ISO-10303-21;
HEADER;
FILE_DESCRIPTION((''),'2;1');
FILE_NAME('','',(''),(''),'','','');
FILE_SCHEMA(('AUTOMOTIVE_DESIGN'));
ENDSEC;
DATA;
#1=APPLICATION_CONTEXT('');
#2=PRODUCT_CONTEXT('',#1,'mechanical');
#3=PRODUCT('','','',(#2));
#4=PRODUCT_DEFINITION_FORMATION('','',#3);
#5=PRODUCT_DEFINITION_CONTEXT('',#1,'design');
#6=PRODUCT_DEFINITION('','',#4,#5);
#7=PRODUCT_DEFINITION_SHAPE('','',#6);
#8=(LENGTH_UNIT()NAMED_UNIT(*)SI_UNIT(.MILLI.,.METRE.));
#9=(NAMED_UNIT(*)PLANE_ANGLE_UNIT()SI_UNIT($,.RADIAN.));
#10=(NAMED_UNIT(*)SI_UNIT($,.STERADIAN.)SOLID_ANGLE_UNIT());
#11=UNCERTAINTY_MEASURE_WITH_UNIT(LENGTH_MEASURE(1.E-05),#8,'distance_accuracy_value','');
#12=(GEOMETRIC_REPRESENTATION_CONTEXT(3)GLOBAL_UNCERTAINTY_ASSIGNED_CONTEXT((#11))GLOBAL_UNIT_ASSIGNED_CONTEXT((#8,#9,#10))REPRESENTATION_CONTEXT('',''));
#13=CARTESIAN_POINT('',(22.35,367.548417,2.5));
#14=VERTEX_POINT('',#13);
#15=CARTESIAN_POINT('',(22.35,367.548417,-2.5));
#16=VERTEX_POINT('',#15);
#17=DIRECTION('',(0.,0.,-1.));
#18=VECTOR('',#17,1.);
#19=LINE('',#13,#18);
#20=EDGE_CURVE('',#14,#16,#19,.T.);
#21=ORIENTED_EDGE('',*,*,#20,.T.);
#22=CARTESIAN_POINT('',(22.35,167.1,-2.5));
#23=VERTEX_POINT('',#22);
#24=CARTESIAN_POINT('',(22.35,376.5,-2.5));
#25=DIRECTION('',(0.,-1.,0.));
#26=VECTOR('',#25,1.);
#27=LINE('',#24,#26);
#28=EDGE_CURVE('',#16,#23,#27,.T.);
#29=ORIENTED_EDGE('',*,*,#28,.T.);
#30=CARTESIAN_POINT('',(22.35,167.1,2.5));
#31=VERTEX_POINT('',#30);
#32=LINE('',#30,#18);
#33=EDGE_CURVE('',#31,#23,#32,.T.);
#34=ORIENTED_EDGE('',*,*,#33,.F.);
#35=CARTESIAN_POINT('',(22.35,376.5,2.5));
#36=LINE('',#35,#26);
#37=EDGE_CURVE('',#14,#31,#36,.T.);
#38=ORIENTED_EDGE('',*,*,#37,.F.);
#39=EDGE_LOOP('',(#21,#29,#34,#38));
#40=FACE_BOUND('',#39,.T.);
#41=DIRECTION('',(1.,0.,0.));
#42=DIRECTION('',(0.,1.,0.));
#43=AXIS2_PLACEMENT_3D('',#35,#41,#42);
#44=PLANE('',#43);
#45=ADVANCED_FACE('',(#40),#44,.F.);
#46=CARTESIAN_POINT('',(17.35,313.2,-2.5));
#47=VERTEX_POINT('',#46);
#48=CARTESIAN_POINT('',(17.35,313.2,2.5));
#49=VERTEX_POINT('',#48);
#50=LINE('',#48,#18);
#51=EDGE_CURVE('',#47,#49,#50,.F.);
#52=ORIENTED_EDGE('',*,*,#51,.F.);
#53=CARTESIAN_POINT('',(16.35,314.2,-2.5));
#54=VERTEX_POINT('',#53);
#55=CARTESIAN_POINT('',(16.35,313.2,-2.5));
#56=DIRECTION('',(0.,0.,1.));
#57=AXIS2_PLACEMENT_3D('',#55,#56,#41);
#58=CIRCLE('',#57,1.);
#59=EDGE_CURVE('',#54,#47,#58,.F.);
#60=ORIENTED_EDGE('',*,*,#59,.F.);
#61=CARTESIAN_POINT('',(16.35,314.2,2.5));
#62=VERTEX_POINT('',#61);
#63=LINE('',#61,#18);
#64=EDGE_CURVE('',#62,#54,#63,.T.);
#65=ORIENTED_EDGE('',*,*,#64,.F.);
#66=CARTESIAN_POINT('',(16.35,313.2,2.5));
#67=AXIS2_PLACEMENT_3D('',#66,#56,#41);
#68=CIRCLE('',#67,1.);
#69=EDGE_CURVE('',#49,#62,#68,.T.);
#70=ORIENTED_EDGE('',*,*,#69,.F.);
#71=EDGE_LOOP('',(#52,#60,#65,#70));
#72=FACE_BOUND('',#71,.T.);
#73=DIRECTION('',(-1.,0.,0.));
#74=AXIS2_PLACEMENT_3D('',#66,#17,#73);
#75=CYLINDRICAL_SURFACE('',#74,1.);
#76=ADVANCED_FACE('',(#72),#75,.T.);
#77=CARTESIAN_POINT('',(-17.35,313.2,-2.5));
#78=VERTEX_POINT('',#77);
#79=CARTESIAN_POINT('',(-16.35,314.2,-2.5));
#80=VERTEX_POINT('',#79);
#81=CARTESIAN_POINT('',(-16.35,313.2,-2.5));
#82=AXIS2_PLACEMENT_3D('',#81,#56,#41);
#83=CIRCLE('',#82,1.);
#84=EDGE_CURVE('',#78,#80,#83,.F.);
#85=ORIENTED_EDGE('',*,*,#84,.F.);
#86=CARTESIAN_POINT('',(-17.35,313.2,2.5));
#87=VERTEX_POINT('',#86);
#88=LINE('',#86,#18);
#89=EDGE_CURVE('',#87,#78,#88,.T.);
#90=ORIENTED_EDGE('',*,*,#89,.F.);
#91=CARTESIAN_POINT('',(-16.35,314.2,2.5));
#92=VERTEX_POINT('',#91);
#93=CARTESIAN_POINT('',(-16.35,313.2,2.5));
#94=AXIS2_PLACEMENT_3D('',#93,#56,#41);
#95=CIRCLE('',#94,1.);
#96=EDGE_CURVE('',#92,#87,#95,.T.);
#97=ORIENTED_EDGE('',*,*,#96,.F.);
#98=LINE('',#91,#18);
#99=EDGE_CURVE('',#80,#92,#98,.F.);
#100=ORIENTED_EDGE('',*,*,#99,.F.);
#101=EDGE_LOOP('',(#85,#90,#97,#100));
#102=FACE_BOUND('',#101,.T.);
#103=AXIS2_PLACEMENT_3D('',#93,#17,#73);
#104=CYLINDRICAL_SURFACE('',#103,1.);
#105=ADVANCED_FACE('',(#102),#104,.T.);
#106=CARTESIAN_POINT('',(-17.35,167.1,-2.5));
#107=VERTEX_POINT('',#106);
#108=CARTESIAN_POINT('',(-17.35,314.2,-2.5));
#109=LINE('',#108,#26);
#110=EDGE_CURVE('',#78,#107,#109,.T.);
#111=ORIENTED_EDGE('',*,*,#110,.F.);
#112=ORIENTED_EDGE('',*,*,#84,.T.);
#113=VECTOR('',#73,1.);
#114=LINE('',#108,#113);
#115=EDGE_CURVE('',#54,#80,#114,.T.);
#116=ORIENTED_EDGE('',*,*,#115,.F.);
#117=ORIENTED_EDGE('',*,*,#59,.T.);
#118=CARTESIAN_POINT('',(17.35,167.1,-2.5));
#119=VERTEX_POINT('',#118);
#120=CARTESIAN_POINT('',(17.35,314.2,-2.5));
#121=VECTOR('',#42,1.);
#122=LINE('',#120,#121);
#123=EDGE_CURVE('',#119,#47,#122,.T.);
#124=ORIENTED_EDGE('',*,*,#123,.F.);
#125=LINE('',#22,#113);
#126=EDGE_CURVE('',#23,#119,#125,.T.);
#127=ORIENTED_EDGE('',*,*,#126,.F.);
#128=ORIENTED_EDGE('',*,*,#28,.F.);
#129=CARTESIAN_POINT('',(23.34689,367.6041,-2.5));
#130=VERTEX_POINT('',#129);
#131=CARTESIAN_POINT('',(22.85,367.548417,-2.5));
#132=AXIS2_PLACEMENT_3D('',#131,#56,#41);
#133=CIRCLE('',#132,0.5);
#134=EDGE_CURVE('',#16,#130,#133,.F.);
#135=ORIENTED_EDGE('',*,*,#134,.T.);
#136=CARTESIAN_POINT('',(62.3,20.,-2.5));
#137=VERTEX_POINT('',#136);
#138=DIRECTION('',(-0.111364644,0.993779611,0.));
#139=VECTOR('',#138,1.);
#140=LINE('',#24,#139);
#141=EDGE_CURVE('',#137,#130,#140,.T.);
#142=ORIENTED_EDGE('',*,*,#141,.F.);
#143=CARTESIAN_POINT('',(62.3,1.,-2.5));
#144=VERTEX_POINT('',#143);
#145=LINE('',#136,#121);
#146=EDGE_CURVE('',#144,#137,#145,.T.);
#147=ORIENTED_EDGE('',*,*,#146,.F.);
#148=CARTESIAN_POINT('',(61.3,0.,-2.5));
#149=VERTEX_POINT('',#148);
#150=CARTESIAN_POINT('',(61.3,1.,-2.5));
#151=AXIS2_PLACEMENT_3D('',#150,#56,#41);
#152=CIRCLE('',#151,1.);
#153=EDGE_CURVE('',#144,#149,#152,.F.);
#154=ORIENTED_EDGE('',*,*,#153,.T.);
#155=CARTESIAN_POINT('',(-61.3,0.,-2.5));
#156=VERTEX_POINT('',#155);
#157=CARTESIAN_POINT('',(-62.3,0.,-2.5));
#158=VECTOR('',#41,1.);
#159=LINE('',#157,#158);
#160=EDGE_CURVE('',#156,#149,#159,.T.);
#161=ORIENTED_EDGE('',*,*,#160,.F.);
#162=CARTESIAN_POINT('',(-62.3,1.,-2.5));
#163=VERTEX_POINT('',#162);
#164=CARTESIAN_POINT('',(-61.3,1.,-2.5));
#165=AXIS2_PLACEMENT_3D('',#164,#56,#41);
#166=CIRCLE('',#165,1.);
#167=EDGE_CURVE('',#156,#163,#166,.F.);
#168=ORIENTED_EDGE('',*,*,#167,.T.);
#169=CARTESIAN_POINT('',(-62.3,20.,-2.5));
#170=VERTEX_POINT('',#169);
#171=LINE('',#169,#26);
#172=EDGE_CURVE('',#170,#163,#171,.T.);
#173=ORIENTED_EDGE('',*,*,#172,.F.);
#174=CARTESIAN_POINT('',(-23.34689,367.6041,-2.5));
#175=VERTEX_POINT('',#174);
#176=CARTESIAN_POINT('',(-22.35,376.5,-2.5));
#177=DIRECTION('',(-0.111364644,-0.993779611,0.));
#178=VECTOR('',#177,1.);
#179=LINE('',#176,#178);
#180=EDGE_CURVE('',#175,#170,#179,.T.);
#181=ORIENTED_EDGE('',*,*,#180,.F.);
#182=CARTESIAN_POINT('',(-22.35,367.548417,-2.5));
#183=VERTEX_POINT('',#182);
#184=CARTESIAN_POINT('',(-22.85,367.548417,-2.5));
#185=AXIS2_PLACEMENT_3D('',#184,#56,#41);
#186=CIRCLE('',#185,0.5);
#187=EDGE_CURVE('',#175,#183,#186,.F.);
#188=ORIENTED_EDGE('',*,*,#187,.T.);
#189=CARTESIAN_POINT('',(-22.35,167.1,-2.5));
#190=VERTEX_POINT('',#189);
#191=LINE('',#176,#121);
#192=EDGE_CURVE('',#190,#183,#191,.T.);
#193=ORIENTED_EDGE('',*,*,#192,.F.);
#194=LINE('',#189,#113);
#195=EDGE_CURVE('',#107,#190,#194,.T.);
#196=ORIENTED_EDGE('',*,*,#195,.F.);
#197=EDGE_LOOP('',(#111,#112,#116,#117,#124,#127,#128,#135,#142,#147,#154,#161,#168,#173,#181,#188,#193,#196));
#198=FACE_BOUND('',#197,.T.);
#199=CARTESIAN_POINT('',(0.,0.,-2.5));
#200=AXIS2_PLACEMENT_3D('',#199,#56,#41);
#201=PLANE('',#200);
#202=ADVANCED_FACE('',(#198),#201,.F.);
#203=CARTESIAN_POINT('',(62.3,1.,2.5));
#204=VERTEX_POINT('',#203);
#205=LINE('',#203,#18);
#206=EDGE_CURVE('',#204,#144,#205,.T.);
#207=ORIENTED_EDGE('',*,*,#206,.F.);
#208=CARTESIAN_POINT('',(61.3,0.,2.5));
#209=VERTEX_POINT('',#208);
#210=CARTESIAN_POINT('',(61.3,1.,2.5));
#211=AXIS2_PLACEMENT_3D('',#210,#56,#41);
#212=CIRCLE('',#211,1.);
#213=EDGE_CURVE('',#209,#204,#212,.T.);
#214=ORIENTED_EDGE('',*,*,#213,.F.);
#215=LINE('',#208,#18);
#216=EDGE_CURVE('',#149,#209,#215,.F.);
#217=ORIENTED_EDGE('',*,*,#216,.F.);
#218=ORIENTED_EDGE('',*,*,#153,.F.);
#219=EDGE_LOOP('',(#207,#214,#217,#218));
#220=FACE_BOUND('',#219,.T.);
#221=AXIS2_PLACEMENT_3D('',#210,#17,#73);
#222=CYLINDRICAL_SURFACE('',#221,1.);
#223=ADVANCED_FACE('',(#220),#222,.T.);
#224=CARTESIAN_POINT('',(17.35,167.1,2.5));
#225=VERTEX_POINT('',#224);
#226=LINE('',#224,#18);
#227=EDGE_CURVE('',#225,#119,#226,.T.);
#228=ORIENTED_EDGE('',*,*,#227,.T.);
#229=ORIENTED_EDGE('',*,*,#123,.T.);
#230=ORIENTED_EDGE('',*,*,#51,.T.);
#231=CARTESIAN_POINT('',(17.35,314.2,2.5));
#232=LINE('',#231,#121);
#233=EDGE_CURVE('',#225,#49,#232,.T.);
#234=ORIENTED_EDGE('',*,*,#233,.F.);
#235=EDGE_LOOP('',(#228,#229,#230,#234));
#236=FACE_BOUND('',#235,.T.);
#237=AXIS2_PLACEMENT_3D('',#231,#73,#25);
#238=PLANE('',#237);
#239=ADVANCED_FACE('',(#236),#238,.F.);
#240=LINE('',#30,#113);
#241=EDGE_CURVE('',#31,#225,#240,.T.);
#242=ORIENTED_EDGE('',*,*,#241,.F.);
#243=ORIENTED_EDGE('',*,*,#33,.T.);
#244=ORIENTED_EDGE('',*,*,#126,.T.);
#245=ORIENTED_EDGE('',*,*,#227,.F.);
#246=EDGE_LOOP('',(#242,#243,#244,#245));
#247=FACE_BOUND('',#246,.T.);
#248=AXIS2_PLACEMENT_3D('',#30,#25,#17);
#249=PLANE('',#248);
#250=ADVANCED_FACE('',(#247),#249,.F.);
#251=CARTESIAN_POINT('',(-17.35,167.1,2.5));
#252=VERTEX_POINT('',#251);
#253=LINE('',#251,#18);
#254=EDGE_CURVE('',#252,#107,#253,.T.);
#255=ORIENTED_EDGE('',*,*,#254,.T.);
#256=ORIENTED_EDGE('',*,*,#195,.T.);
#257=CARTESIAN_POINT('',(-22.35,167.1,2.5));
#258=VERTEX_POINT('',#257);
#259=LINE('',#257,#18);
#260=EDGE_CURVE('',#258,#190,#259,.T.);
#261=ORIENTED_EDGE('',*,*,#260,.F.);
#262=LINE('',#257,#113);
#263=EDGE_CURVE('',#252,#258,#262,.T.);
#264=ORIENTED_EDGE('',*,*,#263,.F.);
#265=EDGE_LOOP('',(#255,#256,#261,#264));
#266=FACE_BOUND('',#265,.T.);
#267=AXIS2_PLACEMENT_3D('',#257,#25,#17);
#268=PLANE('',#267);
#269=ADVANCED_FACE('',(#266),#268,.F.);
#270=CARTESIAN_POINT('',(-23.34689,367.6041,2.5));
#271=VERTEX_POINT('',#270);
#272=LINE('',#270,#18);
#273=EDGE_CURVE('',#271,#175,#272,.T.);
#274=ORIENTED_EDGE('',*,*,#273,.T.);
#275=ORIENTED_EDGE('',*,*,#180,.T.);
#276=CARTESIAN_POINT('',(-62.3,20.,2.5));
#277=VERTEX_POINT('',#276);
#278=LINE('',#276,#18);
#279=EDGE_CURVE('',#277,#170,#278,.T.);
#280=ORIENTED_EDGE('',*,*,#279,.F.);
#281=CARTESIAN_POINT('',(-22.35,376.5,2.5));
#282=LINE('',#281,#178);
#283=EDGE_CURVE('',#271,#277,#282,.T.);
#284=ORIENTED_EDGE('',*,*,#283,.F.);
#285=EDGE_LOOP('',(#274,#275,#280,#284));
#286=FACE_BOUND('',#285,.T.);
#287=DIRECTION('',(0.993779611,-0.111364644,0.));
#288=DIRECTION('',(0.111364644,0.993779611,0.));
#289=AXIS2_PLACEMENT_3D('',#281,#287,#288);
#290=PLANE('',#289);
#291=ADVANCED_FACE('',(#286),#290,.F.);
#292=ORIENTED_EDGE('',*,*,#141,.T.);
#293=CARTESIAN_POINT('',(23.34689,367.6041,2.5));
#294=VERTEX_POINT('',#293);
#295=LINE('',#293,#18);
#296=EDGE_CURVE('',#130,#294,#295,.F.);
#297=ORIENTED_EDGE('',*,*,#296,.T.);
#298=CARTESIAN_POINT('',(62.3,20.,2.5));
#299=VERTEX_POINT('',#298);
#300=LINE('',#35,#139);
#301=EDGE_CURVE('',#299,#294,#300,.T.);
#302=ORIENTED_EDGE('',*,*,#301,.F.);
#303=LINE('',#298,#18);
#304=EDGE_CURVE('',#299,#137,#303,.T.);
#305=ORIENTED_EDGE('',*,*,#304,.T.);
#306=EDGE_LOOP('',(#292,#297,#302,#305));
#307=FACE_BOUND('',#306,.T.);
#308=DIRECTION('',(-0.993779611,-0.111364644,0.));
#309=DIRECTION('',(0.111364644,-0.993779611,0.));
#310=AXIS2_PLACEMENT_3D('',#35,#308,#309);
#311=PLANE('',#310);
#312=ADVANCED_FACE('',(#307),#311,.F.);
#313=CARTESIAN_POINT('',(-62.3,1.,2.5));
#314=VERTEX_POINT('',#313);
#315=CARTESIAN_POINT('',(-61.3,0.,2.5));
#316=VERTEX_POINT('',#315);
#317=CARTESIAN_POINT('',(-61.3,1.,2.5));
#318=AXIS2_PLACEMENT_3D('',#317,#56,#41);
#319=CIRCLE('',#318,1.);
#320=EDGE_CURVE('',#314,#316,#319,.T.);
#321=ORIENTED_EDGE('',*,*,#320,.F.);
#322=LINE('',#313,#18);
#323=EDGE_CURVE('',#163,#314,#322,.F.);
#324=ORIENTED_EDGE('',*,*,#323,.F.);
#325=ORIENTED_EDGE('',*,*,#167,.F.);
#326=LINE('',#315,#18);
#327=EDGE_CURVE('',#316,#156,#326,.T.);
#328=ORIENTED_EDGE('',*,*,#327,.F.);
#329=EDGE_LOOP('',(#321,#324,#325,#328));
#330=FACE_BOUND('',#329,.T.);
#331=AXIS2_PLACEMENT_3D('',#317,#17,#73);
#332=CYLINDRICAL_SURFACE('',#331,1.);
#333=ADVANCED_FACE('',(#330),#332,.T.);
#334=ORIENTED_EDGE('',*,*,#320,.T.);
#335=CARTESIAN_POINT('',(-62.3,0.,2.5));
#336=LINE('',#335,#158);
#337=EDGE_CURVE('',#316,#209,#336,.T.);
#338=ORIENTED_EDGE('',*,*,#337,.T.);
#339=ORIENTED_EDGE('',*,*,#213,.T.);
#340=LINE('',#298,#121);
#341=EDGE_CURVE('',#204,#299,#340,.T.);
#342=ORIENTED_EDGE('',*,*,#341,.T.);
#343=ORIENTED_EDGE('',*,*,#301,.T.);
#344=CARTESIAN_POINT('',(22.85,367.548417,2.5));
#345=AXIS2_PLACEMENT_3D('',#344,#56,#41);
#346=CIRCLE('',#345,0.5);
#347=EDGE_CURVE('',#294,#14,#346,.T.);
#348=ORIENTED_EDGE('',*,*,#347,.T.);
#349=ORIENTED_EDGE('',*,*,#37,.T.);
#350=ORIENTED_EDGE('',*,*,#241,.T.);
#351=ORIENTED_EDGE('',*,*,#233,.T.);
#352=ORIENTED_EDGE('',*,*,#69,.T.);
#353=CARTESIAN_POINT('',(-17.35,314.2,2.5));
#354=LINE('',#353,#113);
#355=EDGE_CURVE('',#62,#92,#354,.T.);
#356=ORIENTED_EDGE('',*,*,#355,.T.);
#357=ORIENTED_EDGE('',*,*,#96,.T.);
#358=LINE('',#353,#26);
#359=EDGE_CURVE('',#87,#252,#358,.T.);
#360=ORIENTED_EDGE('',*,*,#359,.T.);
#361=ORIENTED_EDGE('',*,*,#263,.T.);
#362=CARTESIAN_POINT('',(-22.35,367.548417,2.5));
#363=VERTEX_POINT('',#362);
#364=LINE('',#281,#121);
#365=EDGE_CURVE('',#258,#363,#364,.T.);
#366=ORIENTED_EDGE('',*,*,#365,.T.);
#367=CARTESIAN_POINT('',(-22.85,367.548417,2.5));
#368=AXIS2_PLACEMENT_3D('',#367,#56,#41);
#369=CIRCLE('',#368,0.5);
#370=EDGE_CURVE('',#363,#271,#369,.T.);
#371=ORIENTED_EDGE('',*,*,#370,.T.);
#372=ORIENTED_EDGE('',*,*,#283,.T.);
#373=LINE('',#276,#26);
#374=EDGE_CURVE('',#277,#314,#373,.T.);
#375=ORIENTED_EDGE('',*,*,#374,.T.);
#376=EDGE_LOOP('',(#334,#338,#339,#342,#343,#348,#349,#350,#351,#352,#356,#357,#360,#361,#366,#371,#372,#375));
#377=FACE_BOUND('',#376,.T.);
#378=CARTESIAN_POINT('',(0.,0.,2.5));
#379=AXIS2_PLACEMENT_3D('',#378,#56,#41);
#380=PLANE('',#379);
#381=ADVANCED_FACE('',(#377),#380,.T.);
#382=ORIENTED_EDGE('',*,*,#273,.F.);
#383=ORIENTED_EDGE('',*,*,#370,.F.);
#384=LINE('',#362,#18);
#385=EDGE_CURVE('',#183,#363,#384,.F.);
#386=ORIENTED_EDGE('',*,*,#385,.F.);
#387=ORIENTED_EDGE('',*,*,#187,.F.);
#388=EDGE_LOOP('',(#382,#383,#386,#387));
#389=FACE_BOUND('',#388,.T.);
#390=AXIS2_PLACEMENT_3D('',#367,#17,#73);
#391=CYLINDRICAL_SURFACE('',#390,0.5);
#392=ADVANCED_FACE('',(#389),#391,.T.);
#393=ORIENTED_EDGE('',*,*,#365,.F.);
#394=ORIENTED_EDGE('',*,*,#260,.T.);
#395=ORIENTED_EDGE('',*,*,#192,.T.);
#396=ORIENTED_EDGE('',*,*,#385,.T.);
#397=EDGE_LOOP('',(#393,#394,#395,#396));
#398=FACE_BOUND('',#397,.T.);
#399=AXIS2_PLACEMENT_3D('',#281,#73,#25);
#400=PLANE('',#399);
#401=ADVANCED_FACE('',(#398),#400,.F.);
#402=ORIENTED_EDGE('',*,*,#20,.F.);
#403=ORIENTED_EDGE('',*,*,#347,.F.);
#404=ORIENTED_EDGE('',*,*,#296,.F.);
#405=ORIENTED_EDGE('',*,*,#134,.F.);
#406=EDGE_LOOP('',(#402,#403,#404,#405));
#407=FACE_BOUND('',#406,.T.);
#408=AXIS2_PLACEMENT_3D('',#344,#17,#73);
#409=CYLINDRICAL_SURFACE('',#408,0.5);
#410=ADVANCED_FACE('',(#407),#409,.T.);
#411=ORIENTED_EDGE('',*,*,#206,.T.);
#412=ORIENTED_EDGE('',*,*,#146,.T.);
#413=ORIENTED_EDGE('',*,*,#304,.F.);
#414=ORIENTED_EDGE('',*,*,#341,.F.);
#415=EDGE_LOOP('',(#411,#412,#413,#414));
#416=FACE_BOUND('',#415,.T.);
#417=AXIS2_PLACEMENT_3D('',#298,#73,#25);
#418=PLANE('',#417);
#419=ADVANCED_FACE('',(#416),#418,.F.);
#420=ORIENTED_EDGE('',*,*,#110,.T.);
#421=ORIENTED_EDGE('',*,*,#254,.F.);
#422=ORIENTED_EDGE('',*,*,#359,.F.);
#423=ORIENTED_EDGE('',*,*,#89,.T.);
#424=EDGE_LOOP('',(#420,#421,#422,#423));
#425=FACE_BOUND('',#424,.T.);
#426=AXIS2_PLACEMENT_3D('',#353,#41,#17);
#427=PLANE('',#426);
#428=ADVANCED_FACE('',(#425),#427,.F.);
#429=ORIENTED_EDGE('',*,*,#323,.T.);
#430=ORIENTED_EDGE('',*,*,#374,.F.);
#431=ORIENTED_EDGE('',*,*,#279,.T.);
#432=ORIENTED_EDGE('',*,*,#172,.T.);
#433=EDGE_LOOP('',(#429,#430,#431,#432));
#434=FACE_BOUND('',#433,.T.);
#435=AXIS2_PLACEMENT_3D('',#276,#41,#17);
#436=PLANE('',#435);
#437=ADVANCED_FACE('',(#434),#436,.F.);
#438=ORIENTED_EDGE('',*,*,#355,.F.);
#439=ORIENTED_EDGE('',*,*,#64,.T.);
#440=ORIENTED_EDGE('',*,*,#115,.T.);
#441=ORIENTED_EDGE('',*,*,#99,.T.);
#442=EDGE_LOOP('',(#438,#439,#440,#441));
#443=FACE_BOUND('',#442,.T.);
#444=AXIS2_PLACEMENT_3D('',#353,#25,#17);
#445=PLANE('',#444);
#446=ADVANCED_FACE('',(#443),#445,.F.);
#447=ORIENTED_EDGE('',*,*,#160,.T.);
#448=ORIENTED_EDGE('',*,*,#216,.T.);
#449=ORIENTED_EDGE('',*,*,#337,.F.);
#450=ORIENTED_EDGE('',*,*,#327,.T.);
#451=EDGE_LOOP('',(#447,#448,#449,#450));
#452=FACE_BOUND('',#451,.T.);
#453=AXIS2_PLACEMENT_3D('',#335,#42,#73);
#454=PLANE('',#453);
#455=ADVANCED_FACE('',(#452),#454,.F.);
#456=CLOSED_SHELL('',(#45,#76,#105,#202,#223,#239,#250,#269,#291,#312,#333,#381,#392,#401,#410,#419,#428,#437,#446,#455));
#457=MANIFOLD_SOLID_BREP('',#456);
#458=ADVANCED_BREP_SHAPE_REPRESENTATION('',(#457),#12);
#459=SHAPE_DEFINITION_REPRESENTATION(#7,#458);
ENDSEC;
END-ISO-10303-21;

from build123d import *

# Parameters (mm, degrees)
BOSS_EXTRUDE1_DEPTH = 2.5
FILLET1_R           = 1
FILLET2_R           = 0.5


with BuildPart() as part:
    # Sketch3 → Boss-Extrude1 (new, symmetric)
    with BuildSketch(Plane.XY):
        Polygon((-22.35, 376.5), (-62.3, 20), (-62.3, 0), (62.3, 0), (62.3, 20), (22.35, 376.5), (22.35, 167.1), (17.35, 167.1), (17.35, 314.2), (-17.35, 314.2), (-17.35, 167.1), (-22.35, 167.1), align=None)
    extrude(amount=BOSS_EXTRUDE1_DEPTH, both=True)

    # Fillet1
    fillet1_edges = [part.edges().sort_by_distance(p)[0] for p in [
        (-17.35, 314.2, 0),
        (17.35, 314.2, 0),
        (62.3, 0, 0),
        (-62.3, 0, 0),
    ]]
    fillet(fillet1_edges, radius=FILLET1_R)

    # Fillet2
    fillet2_edges = [part.edges().sort_by_distance(p)[0] for p in [
        (22.35, 376.5, 0),
        (-22.35, 376.5, 0),
    ]]
    fillet(fillet2_edges, radius=FILLET2_R)


solid = part.part
